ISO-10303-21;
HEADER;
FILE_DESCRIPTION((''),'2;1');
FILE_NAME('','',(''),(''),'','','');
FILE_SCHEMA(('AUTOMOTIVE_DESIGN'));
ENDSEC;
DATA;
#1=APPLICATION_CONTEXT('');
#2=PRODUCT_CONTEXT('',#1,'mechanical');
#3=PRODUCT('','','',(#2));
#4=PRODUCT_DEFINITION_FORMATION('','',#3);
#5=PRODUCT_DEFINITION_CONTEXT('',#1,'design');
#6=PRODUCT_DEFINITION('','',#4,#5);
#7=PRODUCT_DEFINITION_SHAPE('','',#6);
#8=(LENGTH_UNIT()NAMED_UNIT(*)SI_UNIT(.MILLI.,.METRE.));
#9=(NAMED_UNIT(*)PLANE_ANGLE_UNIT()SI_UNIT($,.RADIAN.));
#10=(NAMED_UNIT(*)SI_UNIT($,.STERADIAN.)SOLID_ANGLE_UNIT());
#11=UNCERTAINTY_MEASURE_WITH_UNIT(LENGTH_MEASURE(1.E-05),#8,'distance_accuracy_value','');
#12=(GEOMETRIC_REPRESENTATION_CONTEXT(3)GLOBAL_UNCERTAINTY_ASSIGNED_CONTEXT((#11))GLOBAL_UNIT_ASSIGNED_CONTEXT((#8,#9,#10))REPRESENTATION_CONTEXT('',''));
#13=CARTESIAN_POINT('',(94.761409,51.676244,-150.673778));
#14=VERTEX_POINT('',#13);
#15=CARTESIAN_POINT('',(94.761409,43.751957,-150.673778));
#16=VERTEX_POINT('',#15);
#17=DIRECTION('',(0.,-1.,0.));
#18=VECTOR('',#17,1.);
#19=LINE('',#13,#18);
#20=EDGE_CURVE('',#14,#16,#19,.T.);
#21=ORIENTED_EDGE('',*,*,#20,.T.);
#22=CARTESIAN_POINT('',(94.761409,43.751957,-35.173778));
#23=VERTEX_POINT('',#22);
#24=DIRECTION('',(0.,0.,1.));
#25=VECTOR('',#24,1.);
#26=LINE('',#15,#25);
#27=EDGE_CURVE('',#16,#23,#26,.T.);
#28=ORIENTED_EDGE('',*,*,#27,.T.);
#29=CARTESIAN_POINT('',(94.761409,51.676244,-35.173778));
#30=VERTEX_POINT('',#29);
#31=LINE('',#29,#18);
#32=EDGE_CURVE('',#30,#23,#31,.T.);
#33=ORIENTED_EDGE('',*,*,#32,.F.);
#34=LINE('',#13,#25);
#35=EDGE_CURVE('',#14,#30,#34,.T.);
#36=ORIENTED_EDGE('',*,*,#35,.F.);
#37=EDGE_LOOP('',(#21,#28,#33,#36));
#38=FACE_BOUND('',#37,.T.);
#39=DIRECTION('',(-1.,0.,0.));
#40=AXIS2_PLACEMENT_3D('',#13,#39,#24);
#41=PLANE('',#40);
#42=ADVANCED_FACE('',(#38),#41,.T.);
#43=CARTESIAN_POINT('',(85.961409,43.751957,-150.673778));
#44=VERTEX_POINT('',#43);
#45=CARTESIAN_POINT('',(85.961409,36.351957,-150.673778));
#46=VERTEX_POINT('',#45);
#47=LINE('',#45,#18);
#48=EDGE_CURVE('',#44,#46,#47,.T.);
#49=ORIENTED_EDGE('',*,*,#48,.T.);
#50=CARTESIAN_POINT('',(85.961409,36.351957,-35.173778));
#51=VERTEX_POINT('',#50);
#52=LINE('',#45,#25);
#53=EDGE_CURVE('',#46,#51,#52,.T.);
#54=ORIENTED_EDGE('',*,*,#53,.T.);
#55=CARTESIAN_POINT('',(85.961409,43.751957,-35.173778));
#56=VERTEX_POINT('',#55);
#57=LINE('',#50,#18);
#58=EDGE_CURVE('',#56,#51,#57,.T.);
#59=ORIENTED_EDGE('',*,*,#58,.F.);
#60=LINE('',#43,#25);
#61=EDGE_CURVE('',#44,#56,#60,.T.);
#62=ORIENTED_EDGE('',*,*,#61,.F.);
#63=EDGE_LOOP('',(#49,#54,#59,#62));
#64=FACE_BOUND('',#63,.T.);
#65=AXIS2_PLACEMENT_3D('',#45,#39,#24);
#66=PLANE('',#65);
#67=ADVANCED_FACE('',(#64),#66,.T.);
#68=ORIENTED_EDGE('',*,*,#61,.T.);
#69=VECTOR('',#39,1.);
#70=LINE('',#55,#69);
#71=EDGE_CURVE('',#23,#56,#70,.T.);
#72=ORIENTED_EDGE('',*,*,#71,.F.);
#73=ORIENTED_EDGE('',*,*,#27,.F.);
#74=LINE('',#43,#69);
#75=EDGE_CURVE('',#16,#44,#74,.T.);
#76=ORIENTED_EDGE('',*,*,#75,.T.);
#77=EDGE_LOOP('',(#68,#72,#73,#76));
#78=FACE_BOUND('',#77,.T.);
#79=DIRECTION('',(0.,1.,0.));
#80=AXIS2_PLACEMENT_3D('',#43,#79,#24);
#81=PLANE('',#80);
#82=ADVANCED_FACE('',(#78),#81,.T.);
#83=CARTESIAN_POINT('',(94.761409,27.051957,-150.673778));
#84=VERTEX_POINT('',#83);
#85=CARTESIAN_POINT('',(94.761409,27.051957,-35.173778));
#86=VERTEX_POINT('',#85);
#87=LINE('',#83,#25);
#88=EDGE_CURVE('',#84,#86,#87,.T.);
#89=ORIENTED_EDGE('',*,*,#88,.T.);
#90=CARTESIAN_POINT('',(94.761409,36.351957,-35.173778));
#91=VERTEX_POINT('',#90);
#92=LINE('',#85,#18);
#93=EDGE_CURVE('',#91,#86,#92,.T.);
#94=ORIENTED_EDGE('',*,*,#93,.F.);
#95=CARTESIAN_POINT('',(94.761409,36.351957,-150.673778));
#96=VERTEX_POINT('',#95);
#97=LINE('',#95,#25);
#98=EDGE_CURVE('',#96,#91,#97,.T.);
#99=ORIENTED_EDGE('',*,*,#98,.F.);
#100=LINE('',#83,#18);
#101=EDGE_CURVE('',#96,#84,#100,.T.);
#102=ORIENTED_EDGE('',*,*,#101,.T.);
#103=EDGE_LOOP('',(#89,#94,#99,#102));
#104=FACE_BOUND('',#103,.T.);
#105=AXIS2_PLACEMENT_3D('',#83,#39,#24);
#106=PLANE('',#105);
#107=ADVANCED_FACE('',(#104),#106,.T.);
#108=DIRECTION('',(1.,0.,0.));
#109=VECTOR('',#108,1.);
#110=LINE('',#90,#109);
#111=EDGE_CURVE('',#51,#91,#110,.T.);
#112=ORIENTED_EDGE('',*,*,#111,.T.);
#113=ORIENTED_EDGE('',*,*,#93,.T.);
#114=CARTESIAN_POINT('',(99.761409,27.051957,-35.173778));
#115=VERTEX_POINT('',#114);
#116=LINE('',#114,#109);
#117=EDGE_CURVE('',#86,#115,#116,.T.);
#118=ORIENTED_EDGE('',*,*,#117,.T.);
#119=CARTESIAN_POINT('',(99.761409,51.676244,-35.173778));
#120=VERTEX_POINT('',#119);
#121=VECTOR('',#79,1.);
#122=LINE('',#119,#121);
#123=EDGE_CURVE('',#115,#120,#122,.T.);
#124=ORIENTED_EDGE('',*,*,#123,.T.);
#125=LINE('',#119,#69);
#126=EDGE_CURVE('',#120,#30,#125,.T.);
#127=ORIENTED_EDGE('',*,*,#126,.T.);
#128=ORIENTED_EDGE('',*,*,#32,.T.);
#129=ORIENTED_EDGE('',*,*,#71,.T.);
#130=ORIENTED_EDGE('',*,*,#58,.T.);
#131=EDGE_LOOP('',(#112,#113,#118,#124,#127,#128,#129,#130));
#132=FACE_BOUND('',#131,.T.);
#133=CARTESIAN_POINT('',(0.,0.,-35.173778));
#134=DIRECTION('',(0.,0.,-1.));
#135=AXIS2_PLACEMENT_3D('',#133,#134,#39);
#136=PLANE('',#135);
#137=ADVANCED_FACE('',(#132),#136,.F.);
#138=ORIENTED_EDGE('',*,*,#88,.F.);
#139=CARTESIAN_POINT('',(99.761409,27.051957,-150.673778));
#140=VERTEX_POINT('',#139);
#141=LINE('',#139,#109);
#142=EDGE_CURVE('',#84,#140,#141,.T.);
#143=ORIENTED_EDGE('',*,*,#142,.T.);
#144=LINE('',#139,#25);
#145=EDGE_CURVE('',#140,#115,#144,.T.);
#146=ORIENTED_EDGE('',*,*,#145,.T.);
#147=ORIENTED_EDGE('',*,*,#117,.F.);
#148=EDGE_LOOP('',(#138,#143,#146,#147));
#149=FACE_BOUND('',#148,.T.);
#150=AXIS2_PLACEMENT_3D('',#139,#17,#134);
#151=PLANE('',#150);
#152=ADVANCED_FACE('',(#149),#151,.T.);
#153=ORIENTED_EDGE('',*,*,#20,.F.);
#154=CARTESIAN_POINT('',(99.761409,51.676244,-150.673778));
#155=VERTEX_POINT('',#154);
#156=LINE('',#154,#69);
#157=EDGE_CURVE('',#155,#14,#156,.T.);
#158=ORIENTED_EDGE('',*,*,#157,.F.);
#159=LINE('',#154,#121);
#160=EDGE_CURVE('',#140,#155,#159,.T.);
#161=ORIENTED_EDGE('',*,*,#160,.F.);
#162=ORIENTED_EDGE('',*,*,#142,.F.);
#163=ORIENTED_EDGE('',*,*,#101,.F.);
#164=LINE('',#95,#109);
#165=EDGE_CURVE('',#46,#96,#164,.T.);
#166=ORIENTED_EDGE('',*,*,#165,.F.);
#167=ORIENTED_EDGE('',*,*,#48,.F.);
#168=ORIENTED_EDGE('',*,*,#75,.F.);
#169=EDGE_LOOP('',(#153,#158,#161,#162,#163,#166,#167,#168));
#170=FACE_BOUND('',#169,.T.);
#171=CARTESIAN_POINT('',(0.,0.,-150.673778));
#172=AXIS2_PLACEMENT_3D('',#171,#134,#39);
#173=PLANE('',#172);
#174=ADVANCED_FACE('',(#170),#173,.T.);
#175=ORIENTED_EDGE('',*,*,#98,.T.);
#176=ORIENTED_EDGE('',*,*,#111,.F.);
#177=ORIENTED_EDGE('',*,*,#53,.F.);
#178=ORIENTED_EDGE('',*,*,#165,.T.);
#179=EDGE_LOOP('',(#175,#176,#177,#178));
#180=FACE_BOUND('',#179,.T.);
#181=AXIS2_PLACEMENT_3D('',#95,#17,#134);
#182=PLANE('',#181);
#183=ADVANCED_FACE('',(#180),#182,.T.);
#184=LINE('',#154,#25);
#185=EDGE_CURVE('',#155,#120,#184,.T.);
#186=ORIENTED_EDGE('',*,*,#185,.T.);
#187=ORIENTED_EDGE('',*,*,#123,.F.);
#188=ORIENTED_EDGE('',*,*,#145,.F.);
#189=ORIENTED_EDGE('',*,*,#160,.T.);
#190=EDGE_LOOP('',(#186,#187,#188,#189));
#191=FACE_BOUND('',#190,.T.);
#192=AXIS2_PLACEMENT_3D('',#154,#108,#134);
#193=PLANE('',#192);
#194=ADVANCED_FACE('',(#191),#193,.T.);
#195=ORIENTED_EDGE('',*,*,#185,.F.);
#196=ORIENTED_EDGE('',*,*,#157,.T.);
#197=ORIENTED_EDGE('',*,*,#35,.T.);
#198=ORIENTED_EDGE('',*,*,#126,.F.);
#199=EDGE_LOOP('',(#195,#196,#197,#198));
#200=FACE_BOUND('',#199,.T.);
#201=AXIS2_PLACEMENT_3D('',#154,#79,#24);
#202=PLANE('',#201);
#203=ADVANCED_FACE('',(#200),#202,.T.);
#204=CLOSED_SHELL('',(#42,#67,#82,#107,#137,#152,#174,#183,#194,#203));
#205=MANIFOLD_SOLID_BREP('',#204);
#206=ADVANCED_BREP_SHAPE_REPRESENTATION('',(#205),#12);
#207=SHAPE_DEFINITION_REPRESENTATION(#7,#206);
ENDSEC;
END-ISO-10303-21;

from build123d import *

# Parameters (mm, degrees)
EXTRUDE2_DEPTH = 115.5


with BuildPart() as part:
    # Sketch1 → Extrude2 (new body)
    with BuildSketch(Plane.XY.offset(-35.173777659)):
        Polygon((85.961408719, 43.751957214), (94.761408719, 43.751957214), (94.761408719, 51.676244301), (99.761408719, 51.676244301), (99.761408719, 27.051957214), (94.761408719, 27.051957214), (94.761408719, 36.351957214), (85.961408719, 36.351957214), align=None)
    extrude(amount=-EXTRUDE2_DEPTH)


solid = part.part
